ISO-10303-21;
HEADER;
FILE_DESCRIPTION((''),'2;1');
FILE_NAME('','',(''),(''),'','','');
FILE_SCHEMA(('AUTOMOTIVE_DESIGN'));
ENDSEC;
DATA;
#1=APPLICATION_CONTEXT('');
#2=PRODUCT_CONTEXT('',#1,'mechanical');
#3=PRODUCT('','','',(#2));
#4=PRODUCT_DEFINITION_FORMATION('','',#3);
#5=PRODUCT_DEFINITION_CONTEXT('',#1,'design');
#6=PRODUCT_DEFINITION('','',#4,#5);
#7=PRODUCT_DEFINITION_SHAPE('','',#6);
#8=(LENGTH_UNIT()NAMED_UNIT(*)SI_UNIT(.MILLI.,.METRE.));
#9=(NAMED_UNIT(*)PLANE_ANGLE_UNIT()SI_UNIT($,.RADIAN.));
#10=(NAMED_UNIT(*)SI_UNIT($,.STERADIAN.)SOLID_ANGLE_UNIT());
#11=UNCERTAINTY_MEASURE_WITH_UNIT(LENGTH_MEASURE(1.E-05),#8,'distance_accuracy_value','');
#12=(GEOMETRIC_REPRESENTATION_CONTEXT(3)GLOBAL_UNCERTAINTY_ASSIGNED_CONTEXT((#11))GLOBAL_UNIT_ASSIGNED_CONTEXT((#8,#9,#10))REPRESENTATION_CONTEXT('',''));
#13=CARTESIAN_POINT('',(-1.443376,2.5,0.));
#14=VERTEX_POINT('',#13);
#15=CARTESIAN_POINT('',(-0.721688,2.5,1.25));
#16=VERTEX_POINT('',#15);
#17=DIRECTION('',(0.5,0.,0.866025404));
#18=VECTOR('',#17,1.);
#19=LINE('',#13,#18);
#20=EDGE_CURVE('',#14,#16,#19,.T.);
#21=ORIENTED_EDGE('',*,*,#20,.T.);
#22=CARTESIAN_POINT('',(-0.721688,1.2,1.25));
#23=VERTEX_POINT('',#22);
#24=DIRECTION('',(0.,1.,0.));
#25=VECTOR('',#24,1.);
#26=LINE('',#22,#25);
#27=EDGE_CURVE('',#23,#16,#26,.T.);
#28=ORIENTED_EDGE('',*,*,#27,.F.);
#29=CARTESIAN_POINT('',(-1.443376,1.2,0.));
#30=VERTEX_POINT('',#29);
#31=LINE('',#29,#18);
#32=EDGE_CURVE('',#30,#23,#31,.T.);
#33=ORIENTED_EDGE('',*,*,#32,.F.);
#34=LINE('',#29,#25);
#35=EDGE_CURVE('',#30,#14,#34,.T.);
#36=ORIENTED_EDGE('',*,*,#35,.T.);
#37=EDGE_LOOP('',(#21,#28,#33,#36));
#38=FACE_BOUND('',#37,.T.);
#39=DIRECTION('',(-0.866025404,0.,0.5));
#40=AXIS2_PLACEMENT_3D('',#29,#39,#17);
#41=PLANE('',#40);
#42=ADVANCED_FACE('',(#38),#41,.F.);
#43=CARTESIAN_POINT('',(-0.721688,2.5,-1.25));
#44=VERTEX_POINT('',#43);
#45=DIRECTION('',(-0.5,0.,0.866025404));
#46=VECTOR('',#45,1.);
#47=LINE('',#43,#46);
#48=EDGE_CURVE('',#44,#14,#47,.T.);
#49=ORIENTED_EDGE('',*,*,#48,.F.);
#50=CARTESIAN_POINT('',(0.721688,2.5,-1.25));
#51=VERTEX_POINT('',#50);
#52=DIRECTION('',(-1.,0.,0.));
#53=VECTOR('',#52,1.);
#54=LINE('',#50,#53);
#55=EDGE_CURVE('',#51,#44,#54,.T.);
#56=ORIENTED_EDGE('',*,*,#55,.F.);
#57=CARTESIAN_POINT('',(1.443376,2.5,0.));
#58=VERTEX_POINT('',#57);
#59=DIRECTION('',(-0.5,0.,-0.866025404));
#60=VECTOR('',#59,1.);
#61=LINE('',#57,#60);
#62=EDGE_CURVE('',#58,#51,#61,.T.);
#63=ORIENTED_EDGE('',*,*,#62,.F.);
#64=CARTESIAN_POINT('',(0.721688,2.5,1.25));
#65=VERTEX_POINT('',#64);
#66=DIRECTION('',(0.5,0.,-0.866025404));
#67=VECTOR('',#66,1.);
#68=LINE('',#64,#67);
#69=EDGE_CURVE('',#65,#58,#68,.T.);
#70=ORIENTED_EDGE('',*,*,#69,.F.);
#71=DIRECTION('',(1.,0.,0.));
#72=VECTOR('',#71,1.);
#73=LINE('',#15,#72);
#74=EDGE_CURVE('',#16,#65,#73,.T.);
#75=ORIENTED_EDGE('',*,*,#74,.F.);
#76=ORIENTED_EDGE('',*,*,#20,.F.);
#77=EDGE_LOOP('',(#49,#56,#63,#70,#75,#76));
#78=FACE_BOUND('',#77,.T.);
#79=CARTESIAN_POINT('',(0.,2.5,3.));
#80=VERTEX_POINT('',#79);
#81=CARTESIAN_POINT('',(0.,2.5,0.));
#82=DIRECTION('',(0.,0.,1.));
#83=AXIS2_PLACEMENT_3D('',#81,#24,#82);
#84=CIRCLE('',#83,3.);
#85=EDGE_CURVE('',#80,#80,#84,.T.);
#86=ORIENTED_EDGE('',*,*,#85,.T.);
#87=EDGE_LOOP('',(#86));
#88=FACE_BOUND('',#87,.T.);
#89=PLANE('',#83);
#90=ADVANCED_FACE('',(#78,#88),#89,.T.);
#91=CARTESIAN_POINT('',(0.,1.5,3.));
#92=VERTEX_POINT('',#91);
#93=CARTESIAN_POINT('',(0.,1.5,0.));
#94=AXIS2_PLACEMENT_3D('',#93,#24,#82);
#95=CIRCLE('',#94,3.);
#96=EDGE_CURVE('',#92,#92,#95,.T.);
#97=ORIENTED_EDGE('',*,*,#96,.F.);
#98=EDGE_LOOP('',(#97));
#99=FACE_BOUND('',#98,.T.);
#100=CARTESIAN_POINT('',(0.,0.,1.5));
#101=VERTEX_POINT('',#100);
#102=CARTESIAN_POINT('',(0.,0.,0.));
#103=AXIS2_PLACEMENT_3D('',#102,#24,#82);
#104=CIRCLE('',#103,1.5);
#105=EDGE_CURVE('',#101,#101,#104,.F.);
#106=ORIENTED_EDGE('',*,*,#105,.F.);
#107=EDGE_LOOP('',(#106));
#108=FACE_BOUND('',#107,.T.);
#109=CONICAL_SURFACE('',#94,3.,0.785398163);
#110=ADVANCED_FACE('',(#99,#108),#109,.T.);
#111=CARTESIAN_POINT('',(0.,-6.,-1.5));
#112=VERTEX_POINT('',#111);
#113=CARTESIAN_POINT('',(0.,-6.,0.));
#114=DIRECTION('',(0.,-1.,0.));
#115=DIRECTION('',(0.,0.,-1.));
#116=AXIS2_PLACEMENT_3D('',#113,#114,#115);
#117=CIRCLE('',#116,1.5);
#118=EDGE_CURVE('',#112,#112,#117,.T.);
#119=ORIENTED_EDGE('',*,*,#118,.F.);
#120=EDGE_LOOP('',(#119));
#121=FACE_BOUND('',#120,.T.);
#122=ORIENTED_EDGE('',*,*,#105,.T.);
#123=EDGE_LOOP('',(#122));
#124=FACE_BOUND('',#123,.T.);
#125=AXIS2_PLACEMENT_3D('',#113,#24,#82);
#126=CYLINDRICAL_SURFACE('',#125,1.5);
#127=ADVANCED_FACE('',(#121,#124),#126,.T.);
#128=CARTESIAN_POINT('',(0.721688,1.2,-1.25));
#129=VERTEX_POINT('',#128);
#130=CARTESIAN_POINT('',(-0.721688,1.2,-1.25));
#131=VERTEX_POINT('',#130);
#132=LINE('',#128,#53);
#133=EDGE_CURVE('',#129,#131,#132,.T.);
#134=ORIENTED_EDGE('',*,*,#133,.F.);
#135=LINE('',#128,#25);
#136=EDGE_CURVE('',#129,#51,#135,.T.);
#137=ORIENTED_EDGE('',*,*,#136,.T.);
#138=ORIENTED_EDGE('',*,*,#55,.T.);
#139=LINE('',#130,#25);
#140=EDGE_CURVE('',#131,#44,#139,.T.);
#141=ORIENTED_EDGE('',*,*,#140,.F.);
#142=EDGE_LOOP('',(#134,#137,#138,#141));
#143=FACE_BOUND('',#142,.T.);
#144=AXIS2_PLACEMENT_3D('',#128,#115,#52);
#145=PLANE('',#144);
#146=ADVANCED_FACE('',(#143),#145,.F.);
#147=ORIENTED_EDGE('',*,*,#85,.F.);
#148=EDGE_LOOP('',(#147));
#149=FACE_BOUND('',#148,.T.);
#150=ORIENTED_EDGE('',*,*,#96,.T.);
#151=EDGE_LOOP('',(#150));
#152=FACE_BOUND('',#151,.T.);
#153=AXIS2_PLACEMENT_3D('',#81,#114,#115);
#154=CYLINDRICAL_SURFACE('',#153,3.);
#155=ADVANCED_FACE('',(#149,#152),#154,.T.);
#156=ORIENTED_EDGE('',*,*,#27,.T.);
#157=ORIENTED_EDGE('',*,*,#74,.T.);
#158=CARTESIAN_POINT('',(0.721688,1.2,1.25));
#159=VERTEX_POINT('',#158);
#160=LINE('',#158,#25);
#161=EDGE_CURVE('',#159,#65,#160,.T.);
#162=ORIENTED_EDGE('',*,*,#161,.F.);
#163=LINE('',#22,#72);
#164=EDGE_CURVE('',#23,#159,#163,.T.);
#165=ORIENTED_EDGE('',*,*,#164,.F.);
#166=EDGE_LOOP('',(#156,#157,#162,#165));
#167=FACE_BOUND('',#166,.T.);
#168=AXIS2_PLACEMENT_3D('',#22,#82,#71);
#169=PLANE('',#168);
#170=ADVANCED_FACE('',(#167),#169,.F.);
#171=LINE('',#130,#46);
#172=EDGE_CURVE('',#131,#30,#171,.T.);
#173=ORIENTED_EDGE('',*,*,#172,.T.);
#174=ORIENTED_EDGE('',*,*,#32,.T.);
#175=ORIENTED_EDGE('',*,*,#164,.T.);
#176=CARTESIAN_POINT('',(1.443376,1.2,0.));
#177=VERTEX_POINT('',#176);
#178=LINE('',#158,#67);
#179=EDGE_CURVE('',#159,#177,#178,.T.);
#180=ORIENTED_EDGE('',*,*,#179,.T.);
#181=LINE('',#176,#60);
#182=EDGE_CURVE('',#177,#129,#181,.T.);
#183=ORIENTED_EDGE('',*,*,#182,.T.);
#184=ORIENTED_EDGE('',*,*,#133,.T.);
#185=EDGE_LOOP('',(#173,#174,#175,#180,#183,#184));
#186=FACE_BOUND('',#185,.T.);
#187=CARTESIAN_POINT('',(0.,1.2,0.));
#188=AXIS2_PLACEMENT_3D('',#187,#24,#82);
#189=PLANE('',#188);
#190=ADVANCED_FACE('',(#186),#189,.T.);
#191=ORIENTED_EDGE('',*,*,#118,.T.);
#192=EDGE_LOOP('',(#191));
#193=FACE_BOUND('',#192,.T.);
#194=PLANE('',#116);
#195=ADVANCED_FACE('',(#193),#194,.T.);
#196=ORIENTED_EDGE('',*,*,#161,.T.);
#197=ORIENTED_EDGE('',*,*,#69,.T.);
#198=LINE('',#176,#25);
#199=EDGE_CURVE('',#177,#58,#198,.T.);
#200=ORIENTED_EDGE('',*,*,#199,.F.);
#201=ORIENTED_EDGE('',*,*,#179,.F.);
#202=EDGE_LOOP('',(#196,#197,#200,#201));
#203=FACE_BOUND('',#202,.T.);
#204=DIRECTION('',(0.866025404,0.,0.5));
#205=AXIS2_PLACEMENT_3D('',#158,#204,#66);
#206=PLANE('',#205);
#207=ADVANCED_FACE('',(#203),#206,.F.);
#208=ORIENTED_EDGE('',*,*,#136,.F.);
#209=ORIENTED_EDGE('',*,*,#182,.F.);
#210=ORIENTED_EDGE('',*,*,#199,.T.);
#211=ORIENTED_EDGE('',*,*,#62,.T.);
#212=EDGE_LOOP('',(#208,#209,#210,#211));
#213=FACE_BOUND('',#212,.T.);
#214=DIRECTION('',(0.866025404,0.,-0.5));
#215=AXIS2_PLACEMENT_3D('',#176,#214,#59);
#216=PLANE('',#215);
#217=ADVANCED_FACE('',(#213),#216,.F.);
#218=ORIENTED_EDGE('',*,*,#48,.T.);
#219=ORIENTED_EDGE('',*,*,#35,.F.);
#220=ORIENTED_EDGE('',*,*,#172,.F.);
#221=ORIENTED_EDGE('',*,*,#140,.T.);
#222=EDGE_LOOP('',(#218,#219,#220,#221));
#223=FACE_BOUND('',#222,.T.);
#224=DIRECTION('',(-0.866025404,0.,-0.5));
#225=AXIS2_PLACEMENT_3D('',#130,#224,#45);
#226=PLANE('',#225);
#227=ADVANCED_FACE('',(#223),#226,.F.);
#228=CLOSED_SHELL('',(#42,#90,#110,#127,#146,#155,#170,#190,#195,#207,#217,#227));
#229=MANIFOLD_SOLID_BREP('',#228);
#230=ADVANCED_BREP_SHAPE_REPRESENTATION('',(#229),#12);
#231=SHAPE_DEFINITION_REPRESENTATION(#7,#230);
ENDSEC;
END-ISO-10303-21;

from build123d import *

# Parameters (mm, degrees)
SKETCH_1_R            = 3
EXTRUDE_251_DEPTH     = 2.5
CHAMFER_1_SIZE        = 1.5
CUT_EXTRUDE_459_DEPTH = 1.3
SKETCH_3_R            = 1.5
EXTRUDE_571_DEPTH     = 6


with BuildPart() as part:
    # 草图1 → Extrude 251 (new body)
    with BuildSketch(Plane(origin=(0, 0, 0), x_dir=(1, 0, 0), z_dir=(0, 1, 0))):
        Circle(SKETCH_1_R)
    extrude(amount=EXTRUDE_251_DEPTH)

    # 倒角1
    chamfer_1_edges = [part.edges().sort_by_distance(p)[0] for p in [
        (-3, 0, 0),
    ]]
    chamfer(chamfer_1_edges, length=CHAMFER_1_SIZE)

    # 草图2 → Cut-Extrude 459 (cut)
    with BuildSketch(Plane(origin=(0, 2.5, 0), x_dir=(1, 0, 0), z_dir=(0, 1, 0))):
        Polygon((1.443375673, 0), (0.721687836, 1.25), (-0.721687836, 1.25), (-1.443375673, 0), (-0.721687836, -1.25), (0.721687836, -1.25), align=None)
    extrude(amount=-CUT_EXTRUDE_459_DEPTH, mode=Mode.SUBTRACT)

    # 草图3 → Extrude 571 (add)
    with BuildSketch(Plane.XZ):
        Circle(SKETCH_3_R)
    extrude(amount=EXTRUDE_571_DEPTH)


solid = part.part
